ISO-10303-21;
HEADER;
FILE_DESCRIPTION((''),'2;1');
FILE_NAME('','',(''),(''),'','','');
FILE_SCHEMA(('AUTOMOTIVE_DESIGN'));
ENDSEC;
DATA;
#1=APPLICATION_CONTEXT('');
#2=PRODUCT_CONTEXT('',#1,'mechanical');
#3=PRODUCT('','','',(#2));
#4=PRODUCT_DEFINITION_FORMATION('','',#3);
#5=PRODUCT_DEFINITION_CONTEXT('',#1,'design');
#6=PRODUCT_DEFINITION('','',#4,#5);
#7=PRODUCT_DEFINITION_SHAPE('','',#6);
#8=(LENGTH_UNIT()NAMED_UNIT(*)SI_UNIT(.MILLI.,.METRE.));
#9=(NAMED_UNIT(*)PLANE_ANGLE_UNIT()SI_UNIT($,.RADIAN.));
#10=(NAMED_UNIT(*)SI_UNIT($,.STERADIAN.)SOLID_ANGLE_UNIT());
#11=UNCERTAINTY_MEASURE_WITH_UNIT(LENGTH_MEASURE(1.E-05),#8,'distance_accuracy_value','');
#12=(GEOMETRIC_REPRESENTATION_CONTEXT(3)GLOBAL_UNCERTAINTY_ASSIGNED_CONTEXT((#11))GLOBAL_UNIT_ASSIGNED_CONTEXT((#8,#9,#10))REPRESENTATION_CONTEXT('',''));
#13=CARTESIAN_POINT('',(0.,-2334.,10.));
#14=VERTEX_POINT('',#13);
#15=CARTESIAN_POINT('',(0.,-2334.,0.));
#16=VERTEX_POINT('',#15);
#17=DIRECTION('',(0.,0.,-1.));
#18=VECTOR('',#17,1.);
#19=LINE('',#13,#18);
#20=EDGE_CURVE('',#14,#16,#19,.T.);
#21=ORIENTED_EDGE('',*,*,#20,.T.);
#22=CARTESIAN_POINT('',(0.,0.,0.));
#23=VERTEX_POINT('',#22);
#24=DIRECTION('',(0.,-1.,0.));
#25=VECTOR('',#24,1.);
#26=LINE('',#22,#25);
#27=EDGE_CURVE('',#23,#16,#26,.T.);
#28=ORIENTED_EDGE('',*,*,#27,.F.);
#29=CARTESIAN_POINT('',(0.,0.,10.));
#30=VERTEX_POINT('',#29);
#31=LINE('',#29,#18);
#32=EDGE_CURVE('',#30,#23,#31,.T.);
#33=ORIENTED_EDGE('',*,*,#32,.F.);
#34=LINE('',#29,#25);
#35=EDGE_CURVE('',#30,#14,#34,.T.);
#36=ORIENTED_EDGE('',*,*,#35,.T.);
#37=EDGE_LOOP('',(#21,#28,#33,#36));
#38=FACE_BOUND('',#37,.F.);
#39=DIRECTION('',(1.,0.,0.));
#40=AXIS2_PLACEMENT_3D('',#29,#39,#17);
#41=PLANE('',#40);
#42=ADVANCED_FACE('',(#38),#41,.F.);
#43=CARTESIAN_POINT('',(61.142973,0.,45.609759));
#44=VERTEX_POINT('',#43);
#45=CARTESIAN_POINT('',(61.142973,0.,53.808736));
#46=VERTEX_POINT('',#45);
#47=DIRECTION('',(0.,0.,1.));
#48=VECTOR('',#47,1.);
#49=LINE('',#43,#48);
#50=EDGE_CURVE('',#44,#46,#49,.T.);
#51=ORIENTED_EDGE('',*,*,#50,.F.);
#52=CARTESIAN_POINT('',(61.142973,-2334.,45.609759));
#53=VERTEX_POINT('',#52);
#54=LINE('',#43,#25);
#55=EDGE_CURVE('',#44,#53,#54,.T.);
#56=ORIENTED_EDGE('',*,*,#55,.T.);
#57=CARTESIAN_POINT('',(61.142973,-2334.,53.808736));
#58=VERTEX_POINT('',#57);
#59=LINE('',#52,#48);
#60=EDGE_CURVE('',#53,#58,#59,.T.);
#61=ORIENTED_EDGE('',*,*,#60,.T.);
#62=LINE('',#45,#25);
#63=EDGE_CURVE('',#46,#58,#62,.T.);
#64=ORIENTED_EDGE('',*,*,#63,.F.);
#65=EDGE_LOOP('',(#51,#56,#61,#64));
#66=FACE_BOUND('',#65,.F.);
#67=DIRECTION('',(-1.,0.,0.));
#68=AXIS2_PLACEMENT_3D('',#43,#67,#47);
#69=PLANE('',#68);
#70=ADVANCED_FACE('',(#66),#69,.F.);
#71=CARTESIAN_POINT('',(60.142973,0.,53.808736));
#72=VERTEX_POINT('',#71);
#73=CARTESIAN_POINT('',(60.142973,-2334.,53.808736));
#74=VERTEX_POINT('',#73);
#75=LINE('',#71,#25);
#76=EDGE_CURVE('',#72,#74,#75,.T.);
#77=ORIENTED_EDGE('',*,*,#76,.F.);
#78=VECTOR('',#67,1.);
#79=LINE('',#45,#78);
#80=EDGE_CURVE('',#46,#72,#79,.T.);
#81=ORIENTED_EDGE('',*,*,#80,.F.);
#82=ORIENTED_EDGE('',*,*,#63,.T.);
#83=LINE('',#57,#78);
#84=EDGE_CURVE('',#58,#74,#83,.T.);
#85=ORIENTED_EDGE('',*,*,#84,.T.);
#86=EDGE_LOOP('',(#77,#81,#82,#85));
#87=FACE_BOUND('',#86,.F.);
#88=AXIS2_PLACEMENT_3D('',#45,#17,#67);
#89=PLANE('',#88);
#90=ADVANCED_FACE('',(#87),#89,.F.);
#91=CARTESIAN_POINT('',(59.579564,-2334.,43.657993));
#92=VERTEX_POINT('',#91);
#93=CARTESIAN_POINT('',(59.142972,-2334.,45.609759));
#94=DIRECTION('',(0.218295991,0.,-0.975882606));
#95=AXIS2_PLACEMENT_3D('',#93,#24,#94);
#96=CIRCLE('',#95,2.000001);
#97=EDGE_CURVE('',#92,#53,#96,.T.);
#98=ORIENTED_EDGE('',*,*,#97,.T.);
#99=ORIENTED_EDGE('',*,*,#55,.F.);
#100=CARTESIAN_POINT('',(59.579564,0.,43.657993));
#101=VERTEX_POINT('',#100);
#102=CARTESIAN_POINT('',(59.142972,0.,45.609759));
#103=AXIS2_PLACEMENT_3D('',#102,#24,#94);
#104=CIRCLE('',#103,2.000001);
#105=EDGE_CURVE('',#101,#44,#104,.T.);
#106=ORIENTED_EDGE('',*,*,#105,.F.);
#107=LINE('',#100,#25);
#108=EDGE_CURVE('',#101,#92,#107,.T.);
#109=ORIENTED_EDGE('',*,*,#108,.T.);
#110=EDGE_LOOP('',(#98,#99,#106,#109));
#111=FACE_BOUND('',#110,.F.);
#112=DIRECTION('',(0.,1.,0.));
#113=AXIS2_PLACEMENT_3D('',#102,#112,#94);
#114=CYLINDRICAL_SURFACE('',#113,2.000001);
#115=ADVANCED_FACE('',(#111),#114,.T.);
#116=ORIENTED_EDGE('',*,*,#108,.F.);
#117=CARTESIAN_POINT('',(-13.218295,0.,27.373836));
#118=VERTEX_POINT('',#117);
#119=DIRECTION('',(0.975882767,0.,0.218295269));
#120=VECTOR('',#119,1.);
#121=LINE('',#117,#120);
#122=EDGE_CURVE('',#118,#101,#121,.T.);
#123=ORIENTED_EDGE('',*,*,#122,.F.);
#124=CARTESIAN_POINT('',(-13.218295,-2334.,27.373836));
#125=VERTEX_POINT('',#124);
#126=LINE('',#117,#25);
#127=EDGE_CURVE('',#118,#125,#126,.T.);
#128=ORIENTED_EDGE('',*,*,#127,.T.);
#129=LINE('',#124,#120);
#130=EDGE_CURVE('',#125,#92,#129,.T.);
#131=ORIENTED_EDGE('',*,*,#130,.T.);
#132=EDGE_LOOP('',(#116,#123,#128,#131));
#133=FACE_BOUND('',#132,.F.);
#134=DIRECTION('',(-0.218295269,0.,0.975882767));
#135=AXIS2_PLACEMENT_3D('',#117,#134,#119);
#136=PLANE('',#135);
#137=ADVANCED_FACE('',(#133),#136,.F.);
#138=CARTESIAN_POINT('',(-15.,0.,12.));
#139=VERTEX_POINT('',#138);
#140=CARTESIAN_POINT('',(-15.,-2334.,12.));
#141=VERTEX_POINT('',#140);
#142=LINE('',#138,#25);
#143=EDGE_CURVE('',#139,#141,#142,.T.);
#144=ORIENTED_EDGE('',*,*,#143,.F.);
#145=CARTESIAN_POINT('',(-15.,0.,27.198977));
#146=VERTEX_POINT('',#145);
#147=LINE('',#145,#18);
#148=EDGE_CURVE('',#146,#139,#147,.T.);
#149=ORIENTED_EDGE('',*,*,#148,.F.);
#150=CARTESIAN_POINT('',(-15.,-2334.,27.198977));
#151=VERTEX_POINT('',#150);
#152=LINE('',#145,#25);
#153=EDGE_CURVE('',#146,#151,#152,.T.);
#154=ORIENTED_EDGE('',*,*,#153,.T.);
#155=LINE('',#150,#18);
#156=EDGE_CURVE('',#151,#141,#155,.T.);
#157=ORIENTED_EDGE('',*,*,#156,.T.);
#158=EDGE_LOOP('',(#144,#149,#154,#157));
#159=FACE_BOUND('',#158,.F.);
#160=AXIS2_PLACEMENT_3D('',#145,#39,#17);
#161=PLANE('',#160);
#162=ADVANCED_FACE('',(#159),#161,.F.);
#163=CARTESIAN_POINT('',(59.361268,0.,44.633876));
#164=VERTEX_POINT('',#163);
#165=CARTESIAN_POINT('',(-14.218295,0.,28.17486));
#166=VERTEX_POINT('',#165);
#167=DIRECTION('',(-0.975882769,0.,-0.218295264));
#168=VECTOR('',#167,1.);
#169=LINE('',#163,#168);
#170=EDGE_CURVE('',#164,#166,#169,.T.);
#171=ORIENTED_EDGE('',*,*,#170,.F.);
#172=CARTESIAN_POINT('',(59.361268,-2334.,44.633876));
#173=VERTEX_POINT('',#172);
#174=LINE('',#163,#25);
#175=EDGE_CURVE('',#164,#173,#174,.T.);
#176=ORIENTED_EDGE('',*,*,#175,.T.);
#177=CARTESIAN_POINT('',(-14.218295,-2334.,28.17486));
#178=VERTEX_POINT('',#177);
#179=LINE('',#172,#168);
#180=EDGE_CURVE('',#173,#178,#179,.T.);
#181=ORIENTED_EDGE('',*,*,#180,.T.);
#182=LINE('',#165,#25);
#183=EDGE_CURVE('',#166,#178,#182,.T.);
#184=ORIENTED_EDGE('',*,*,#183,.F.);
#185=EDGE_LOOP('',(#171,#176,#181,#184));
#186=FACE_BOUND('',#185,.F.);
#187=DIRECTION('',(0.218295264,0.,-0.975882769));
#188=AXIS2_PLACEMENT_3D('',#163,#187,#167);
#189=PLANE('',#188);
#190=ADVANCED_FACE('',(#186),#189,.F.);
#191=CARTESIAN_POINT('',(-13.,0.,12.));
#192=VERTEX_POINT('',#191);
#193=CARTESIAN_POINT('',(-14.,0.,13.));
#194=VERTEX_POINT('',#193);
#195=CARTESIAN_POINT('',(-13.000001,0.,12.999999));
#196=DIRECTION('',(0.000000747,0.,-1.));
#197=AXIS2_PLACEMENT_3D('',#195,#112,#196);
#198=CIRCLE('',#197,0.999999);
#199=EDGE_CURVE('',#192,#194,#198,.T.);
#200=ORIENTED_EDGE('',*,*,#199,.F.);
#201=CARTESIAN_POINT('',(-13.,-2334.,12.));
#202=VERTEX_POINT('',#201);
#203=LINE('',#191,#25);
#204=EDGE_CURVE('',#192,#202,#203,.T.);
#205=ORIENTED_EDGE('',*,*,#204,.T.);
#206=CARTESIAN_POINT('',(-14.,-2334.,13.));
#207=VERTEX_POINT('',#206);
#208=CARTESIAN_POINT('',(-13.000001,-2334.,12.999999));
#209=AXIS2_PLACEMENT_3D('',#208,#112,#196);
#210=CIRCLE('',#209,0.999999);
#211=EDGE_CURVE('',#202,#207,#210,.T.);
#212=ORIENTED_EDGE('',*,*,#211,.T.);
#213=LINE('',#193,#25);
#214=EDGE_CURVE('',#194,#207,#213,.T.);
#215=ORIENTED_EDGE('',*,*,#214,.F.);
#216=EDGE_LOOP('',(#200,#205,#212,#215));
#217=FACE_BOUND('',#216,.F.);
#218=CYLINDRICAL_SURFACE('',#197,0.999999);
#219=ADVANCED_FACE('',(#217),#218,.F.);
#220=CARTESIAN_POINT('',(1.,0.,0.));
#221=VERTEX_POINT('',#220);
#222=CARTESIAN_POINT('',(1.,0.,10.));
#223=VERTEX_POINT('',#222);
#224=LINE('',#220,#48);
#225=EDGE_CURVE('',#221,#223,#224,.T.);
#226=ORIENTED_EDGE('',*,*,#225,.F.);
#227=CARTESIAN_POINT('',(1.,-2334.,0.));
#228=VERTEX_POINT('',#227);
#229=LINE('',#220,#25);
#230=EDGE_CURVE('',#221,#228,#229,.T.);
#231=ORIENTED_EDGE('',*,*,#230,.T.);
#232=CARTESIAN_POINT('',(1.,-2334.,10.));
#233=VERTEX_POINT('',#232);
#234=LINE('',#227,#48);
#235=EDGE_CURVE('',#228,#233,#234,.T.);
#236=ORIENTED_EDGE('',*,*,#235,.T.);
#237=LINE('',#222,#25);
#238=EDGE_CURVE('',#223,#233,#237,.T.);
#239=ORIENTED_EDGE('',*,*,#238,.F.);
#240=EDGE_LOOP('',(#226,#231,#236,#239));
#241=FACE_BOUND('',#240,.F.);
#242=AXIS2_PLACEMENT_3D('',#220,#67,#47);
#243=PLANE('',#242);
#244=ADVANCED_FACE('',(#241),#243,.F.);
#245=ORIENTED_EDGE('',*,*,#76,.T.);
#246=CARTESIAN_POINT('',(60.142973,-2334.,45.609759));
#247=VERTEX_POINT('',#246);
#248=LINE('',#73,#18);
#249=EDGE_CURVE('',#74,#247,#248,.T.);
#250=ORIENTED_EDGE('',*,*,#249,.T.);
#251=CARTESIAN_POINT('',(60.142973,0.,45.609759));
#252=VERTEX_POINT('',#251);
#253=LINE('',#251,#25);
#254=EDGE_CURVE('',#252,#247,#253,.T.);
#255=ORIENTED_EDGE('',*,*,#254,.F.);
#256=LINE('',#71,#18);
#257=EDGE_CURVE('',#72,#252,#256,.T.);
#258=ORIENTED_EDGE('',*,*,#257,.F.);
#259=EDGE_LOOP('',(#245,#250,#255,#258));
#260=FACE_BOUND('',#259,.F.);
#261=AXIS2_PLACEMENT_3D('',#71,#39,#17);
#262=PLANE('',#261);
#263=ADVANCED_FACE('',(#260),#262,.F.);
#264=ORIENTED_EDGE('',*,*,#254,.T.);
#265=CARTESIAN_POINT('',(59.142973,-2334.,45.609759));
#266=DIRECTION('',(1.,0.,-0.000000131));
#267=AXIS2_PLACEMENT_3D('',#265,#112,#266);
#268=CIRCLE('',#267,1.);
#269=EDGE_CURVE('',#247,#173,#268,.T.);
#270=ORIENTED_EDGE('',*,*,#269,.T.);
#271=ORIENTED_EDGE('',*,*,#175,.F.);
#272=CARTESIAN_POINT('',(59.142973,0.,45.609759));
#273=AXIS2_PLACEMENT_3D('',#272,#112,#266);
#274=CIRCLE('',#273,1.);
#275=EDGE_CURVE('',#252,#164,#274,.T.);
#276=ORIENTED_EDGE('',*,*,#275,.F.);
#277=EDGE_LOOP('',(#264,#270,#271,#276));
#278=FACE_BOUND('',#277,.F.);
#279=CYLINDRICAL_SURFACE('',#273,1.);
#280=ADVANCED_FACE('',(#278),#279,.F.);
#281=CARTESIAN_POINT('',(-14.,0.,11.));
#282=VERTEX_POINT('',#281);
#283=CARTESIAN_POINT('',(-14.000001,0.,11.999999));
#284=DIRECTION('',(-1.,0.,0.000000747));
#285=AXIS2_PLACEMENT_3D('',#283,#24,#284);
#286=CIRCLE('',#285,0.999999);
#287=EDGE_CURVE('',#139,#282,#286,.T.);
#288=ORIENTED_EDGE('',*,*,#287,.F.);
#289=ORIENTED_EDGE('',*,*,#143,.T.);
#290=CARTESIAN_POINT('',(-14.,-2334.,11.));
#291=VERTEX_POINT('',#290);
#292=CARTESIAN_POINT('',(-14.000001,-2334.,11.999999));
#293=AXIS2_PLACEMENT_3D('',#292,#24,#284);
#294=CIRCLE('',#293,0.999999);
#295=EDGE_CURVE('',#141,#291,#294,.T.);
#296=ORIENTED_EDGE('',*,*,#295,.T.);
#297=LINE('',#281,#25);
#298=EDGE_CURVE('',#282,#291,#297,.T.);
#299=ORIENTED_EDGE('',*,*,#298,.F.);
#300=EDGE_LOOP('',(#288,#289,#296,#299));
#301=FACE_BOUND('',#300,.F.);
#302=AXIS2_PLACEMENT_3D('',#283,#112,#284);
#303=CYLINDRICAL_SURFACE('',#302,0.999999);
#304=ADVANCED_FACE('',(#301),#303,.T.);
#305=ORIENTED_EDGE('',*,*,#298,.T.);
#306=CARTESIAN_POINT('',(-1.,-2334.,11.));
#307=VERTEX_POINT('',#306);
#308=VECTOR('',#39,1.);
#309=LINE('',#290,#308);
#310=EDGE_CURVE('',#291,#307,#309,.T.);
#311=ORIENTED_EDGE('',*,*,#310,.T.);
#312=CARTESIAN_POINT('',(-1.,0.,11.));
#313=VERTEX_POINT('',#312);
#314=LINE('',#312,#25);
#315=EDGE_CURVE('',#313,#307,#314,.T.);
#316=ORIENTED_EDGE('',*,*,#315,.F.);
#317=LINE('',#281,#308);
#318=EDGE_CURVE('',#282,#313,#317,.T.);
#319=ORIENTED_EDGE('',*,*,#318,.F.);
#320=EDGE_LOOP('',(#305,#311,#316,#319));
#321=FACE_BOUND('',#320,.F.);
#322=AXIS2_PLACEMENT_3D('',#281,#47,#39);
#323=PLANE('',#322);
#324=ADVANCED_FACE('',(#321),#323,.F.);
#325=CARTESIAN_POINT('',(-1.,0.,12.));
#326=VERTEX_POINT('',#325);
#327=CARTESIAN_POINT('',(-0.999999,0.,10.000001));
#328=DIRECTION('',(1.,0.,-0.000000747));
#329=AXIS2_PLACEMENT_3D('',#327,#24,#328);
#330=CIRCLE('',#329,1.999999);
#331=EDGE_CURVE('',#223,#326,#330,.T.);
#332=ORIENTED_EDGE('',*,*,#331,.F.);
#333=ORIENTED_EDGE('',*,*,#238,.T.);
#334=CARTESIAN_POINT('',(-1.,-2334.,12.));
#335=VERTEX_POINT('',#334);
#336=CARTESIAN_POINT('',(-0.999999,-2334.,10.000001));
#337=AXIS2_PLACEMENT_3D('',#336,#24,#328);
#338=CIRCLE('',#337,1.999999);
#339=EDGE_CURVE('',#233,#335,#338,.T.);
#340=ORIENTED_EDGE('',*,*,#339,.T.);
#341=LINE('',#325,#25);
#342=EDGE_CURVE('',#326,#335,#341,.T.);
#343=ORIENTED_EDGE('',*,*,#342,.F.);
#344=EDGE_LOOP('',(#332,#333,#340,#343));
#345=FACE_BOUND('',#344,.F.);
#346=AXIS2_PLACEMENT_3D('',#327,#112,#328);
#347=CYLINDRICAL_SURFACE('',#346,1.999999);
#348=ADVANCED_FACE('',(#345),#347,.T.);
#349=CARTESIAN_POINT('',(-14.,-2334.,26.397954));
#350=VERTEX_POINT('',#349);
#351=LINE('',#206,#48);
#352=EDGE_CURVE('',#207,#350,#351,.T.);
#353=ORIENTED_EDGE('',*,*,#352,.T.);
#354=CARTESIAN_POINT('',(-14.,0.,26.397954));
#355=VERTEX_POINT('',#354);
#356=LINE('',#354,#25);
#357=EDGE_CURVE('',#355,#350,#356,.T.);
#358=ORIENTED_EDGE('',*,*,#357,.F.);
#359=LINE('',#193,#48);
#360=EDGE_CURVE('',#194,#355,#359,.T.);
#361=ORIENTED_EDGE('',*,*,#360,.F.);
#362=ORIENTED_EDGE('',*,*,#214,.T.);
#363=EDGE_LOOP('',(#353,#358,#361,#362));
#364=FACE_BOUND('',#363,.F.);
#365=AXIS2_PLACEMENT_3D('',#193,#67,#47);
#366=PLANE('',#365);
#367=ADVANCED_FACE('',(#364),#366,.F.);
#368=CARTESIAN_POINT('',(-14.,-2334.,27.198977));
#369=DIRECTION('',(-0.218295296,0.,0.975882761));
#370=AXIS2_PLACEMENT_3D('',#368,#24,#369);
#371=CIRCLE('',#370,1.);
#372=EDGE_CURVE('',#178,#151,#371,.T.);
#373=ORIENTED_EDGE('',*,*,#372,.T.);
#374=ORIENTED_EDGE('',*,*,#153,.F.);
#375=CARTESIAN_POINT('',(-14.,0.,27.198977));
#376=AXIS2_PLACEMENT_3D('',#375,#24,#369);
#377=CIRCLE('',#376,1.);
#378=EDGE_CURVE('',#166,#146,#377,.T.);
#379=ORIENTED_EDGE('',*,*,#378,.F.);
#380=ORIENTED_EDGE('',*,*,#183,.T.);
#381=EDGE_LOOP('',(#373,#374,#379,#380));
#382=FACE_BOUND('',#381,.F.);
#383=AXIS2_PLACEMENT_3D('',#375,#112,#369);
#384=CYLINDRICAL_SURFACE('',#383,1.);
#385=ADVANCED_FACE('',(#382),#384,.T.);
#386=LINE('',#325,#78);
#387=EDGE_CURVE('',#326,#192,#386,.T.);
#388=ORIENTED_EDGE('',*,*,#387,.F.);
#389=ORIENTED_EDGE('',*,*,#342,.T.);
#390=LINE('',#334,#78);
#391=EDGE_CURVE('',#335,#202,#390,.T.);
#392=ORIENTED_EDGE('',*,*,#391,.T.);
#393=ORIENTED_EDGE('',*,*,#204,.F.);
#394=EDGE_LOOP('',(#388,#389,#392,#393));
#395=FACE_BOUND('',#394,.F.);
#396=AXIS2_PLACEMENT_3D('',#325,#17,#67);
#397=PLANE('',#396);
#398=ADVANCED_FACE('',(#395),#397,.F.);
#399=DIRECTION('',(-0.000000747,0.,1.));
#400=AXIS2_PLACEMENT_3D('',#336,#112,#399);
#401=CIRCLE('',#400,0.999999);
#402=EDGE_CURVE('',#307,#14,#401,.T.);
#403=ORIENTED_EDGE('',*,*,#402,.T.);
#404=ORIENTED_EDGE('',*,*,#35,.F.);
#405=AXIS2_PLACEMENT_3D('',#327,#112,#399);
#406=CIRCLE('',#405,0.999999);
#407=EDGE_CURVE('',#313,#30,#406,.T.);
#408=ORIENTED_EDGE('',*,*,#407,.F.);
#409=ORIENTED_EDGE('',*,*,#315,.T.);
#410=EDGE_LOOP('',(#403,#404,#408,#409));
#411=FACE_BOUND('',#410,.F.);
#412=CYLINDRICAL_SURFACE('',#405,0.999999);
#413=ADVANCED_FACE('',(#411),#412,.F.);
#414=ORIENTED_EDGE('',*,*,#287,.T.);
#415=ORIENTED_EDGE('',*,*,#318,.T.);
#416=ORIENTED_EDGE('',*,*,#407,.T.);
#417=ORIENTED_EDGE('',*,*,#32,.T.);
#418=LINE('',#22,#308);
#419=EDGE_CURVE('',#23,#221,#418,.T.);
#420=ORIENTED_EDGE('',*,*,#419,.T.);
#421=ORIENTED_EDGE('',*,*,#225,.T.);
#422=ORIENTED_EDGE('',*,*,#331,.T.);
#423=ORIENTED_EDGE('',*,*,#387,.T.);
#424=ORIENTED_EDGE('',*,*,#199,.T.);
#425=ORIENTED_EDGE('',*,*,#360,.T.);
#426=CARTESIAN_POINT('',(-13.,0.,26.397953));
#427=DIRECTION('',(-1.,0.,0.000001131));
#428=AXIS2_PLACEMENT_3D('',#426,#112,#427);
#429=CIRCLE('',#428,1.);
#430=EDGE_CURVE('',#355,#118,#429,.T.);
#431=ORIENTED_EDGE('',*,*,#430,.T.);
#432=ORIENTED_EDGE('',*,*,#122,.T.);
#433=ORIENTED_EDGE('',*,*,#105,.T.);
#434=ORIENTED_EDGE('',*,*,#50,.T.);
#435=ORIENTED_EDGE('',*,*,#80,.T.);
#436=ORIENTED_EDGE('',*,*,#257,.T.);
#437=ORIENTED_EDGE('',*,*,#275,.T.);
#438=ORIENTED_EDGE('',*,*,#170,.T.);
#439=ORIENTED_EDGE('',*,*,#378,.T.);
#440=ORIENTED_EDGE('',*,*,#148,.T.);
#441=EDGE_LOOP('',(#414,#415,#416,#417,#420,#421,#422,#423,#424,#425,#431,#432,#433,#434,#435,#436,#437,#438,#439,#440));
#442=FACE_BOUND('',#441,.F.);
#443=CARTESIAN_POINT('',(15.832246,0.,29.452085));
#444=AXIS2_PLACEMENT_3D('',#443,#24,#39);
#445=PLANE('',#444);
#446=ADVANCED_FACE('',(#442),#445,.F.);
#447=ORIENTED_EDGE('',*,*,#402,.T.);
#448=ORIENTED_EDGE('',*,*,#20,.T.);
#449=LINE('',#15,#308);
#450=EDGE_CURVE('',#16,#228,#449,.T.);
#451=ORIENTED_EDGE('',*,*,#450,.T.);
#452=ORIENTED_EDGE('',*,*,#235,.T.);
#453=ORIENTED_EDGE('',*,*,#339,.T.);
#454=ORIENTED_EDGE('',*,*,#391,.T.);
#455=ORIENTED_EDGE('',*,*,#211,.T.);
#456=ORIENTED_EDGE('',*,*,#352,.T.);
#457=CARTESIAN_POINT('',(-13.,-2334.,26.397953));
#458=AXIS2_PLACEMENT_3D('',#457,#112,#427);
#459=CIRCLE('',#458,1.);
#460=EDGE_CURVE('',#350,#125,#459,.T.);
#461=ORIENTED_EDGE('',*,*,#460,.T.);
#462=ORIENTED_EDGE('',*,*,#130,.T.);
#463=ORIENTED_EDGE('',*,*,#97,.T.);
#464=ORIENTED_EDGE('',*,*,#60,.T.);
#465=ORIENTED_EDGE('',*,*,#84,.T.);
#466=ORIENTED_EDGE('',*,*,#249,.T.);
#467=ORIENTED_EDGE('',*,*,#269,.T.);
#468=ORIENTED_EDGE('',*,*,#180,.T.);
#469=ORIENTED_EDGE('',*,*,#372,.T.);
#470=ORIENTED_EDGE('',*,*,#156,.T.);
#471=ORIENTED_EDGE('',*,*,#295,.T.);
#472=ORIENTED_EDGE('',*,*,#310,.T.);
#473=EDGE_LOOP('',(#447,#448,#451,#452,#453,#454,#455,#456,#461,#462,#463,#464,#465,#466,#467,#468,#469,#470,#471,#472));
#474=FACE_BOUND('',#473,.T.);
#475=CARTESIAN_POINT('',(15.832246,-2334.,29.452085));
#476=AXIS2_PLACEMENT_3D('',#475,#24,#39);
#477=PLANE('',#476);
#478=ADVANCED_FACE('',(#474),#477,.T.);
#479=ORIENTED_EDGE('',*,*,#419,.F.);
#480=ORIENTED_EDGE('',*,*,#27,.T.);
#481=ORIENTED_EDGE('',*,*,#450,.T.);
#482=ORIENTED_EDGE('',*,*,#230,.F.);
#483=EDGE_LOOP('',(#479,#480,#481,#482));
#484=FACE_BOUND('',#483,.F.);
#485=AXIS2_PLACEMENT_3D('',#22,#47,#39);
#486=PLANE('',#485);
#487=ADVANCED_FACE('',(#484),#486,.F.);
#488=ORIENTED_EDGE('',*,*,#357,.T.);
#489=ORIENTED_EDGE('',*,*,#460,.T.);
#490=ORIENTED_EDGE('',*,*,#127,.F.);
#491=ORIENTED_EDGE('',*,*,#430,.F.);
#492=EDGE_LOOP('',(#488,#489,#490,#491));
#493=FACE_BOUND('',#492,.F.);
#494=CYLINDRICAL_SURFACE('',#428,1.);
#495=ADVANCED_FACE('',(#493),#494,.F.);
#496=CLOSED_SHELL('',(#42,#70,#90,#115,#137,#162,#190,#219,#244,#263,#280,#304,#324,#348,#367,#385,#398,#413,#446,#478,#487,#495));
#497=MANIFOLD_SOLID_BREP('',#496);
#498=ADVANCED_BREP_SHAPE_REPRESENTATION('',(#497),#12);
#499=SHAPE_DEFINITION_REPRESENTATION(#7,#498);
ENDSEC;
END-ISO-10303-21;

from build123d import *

# Parameters (mm, degrees)
F1_DEPTH = 2334


with BuildPart() as f1:
    # F0 (on Front) → F1 (new body)
    with BuildSketch(Plane.XZ):
        with BuildLine():
            Line((0, 10), (0, 0))
            Line((0, 0), (1, 0))
            Line((1, 0), (1, 10))
            ThreePointArc((1, 10), (0.414214, 11.414214), (-1, 12))
            Line((-1, 12), (-13, 12))
            ThreePointArc((-13, 12), (-13.707107, 12.292893), (-14, 13))
            Line((-14, 13), (-14, 26.397954))
            ThreePointArc((-14, 26.397954), (-13.780479, 27.023135), (-13.218295, 27.373836))
            Line((-13.218295, 27.373836), (59.579564, 43.657993))
            ThreePointArc((59.579564, 43.657993), (60.703931, 44.359395), (61.142973, 45.609759))
            Line((61.142973, 45.609759), (61.142973, 53.808736))
            Line((61.142973, 53.808736), (60.142973, 53.808736))
            Line((60.142973, 53.808736), (60.142973, 45.609759))
            ThreePointArc((60.142973, 45.609759), (59.923452, 44.984577), (59.361268, 44.633876))
            Line((59.361268, 44.633876), (-14.218295, 28.17486))
            ThreePointArc((-14.218295, 28.17486), (-14.780479, 27.824159), (-15, 27.198977))
            Line((-15, 27.198977), (-15, 12))
            ThreePointArc((-15, 12), (-14.707107, 11.292893), (-14, 11))
            Line((-14, 11), (-1, 11))
            ThreePointArc((-1, 11), (-0.292893, 10.707107), (0, 10))
        make_face()
    extrude(amount=F1_DEPTH)


solid = f1.part
